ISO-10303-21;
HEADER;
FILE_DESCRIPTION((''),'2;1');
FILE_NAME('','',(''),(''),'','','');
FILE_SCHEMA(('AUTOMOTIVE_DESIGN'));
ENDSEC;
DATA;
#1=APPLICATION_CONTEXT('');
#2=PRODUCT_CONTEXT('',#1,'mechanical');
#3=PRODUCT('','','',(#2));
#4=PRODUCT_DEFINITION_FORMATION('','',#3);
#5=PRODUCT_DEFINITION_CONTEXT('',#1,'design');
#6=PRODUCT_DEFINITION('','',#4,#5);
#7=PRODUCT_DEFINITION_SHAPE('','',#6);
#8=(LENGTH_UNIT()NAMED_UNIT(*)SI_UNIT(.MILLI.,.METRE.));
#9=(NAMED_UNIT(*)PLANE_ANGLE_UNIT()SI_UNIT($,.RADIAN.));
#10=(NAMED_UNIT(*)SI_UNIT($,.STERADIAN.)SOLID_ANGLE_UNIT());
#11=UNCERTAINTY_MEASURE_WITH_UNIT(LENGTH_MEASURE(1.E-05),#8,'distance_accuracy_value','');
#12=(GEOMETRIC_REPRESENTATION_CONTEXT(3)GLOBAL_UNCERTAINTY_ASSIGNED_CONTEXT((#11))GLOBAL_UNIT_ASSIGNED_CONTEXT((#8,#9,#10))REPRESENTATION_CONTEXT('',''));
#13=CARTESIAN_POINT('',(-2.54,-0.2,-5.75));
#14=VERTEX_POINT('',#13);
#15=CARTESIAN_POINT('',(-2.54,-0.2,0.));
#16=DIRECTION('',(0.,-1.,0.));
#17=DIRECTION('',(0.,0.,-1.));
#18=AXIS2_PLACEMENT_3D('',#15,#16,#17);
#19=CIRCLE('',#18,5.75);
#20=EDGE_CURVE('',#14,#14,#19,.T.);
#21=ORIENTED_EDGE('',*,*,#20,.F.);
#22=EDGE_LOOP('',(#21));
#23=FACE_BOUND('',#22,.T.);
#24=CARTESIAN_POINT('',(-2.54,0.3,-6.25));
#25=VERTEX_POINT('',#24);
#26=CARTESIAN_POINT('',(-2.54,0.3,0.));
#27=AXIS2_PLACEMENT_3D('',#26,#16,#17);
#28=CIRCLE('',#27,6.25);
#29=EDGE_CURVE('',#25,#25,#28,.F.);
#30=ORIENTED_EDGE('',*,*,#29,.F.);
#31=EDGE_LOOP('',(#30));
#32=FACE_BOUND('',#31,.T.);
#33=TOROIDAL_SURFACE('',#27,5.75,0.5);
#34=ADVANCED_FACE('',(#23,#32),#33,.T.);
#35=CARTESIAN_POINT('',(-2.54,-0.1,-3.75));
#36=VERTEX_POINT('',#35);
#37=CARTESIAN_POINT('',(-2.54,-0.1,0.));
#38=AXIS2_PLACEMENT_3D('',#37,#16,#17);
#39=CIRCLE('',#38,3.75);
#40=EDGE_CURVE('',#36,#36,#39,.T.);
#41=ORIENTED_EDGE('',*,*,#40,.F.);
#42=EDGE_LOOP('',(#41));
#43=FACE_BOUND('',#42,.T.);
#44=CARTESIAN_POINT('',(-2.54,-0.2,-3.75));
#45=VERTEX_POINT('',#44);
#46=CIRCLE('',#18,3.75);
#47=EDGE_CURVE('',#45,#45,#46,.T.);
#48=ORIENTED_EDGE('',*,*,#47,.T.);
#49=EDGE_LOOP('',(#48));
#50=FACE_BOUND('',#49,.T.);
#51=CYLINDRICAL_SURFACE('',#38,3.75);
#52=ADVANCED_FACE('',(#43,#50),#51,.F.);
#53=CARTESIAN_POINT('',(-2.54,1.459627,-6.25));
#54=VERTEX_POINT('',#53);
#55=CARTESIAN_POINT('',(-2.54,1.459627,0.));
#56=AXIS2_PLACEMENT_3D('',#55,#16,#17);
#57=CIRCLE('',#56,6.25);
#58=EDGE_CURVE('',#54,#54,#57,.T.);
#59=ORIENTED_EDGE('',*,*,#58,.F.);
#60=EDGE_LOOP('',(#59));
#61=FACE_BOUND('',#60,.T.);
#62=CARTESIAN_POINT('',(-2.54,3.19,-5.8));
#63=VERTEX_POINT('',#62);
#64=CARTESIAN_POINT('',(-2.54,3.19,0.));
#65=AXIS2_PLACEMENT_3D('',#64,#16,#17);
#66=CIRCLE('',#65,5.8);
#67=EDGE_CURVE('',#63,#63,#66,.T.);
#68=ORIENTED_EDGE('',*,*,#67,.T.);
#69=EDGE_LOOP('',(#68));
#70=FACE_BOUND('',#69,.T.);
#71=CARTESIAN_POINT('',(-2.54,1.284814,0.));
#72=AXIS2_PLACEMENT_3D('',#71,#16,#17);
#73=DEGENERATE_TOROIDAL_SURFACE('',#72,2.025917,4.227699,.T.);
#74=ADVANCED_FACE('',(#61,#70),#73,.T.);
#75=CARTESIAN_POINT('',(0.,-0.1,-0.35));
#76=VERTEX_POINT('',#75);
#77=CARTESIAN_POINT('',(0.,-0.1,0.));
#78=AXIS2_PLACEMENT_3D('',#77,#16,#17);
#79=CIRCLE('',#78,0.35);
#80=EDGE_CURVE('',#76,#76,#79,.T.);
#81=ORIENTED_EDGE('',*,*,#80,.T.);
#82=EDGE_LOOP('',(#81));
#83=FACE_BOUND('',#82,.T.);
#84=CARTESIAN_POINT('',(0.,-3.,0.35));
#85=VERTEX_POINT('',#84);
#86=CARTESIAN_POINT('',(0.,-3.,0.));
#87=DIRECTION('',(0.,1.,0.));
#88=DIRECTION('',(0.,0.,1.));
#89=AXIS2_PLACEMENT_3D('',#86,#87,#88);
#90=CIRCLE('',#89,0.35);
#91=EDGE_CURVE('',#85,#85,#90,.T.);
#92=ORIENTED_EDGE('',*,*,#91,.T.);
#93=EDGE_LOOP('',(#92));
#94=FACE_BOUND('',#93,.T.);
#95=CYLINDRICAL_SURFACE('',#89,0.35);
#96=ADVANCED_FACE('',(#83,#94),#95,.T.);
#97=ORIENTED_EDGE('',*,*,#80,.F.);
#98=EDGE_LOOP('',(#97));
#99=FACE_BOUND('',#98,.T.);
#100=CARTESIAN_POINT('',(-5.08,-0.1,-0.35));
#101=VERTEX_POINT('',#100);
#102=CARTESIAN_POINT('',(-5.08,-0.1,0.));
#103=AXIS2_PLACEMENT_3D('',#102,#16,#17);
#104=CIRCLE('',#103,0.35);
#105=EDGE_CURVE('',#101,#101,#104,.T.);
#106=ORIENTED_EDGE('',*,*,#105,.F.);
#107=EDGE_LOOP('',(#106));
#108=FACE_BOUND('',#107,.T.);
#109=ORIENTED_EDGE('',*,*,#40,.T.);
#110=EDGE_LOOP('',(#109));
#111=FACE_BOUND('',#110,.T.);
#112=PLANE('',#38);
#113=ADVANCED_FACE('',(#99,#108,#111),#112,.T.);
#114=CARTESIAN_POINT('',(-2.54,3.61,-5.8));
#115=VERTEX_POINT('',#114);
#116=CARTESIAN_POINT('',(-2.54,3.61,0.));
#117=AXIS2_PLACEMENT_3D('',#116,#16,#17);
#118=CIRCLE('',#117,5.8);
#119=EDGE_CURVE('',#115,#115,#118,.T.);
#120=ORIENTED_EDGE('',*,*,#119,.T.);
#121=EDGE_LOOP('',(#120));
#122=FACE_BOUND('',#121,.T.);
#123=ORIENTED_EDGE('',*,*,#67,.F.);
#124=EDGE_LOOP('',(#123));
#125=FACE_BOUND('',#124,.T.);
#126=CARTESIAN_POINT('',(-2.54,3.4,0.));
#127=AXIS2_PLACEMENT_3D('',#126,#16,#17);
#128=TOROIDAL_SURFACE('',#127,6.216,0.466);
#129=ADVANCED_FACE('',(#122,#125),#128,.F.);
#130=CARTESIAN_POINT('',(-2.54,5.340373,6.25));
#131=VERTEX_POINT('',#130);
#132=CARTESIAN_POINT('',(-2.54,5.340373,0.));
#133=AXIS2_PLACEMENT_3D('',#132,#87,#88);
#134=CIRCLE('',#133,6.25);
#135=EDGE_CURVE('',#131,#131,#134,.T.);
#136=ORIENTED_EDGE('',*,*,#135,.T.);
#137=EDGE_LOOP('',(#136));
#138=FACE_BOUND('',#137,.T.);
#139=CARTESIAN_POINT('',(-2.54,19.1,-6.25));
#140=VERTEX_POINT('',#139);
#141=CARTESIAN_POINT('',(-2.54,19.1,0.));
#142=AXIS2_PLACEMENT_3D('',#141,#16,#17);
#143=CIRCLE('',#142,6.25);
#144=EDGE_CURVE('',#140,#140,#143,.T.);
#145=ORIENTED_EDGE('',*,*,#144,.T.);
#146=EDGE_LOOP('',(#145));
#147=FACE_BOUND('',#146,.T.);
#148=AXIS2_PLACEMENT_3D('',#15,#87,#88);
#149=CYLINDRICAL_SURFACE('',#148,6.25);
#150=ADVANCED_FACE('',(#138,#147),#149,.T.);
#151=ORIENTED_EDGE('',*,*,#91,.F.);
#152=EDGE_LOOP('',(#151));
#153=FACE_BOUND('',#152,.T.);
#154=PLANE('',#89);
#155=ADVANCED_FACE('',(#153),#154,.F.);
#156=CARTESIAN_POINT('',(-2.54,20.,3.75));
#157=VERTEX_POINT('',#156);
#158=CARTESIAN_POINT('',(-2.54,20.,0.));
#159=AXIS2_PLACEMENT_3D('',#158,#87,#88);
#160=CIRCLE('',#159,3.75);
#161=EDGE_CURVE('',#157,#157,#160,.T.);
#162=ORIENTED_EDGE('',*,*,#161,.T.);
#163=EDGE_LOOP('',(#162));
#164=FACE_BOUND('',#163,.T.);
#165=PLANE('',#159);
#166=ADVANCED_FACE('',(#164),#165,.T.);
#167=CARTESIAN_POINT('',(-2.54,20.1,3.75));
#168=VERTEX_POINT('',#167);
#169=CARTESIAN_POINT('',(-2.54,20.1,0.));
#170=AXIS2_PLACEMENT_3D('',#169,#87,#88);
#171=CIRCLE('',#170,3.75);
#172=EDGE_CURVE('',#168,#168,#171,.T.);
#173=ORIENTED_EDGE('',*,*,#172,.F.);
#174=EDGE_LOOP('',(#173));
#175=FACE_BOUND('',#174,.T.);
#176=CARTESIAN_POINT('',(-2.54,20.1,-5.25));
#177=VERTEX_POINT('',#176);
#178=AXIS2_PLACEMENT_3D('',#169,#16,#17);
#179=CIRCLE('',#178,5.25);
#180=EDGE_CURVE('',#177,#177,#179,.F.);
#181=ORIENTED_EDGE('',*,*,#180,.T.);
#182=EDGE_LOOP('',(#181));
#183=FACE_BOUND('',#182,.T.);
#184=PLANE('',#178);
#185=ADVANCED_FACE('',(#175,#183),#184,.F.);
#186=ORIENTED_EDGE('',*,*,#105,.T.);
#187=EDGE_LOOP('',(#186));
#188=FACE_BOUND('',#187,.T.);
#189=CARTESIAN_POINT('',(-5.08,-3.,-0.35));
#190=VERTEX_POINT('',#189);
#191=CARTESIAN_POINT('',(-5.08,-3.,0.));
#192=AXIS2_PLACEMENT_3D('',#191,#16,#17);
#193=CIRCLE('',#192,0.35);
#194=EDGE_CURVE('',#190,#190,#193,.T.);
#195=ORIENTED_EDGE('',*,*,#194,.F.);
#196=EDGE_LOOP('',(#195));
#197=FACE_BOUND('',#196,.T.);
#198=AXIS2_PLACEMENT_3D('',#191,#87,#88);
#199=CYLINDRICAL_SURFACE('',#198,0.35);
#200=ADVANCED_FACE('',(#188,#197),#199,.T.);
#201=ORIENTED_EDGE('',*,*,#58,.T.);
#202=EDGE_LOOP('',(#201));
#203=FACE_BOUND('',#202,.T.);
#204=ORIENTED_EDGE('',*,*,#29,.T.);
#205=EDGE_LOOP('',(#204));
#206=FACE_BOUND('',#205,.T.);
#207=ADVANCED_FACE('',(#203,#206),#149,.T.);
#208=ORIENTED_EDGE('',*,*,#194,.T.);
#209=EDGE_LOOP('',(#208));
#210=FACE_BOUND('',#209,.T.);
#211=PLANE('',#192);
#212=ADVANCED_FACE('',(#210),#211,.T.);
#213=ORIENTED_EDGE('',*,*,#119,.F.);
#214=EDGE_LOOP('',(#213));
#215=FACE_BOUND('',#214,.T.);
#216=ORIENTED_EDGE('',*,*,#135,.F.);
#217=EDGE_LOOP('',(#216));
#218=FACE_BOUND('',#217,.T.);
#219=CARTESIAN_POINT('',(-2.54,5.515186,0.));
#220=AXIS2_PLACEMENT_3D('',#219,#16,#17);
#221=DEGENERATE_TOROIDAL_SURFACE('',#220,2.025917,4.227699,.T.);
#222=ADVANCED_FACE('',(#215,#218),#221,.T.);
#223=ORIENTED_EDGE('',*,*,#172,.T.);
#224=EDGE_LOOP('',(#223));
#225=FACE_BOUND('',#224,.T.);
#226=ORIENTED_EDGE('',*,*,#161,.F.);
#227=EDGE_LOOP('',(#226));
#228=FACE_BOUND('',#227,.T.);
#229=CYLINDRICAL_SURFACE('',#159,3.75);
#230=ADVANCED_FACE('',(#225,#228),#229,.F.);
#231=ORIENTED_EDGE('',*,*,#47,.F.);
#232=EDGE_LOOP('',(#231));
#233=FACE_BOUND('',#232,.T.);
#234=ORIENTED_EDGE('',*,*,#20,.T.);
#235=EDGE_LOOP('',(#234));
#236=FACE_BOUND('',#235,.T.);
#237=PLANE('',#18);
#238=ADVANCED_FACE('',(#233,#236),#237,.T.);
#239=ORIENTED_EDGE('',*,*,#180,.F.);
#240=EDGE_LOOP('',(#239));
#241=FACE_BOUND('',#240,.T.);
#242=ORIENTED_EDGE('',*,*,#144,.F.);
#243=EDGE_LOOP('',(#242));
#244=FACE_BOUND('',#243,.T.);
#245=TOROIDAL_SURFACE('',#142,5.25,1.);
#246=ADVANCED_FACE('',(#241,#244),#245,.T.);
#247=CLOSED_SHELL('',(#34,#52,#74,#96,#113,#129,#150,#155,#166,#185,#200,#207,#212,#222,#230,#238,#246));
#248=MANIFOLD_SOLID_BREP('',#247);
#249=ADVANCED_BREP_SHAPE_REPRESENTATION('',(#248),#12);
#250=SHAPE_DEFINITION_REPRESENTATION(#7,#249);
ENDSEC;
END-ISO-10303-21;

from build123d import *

# Parameters (mm, degrees)
SKETCH2_R                = 0.35
BASE_EXTRUDE_DEPTH       = 3
SKETCH3_R                = 3.75
BOSS_EXTRUDE1_DEPTH      = 0.5
SKETCH4_R                = 0.35
BOSS_EXTRUDE2_DEPTH      = 3
SKETCH5_R                = 6.25
BOSS_EXTRUDE4_DEPTH      = 0.1
BOSS_EXTRUDE4_DEPTH_BACK = 20.2
SKETCH7_R                = 3.75
SKETCH7_R_2              = 0.35
CUT_EXTRUDE3_DEPTH       = 0.1
FILLET1_R                = 0.5
FILLET2_R                = 1
SKETCH8_R                = 3.75
CUT_EXTRUDE4_DEPTH       = 0.1


with BuildPart() as part:
    # Sketch2 → Base-Extrude (new body)
    with BuildSketch(Plane(origin=(0, 0, 0), x_dir=(1, 0, 0), z_dir=(0, 1, 0))):
        Circle(SKETCH2_R)
    extrude(amount=-BASE_EXTRUDE_DEPTH)

    # Sketch3 → Boss-Extrude1 (add)
    with BuildSketch(Plane(origin=(0, 0, 0), x_dir=(-1, 0, 0), z_dir=(0, 1, 0))):
        with Locations((2.54, 0)):
            Circle(SKETCH3_R)
    extrude(amount=BOSS_EXTRUDE1_DEPTH)

    # Sketch4 → Boss-Extrude2 (add)
    with BuildSketch(Plane.XZ):
        with Locations((-5.08, 0)):
            Circle(SKETCH4_R)
    extrude(amount=BOSS_EXTRUDE2_DEPTH)

    # Sketch5 → Boss-Extrude4 (add, two sides)
    with BuildSketch(Plane.XZ.offset(0.1)) as boss_extrude4_sk:
        with Locations((-2.54, 0)):
            Circle(SKETCH5_R)
    extrude(amount=BOSS_EXTRUDE4_DEPTH)
    extrude(boss_extrude4_sk.sketch, amount=-BOSS_EXTRUDE4_DEPTH_BACK)

    # Sketch7 → Cut-Extrude3 (cut)
    with BuildSketch(Plane.XZ.offset(0.2)):
        with Locations((-2.54, 0)):
            Circle(SKETCH7_R)
        with Locations((-5.08, 0)):
            Circle(SKETCH7_R_2, mode=Mode.SUBTRACT)
        Circle(SKETCH7_R_2, mode=Mode.SUBTRACT)
    extrude(amount=-CUT_EXTRUDE3_DEPTH, mode=Mode.SUBTRACT)

    # Fillet1
    fillet1_edges = [part.edges().sort_by_distance(p)[0] for p in [
        (-8.79, -0.2, 0),
    ]]
    fillet(fillet1_edges, radius=FILLET1_R)

    # Fillet2
    fillet2_edges = [part.edges().sort_by_distance(p)[0] for p in [
        (-8.79, 20.1, 0),
    ]]
    fillet(fillet2_edges, radius=FILLET2_R)

    # Sketch8 → Cut-Extrude4 (cut)
    with BuildSketch(Plane(origin=(0, 20.1, 0), x_dir=(-1, 0, 0), z_dir=(0, 1, 0))):
        with Locations((2.54, 0)):
            Circle(SKETCH8_R)
    extrude(amount=-CUT_EXTRUDE4_DEPTH, mode=Mode.SUBTRACT)

    # Sketch10 → Cut-Revolve1 (revolve, cut)
    with BuildSketch(Plane.XY):
        with BuildLine():
            Line((3.71, 5.69), (4.21, 5.69))
            Line((4.21, 5.69), (4.21, 1.11))
            Line((4.21, 1.11), (3.71, 1.11))
            ThreePointArc((3.71, 1.11), (3.618018735, 2.178778092), (3.26, 3.19))
            ThreePointArc((3.26, 3.19), (3.21, 3.4), (3.26, 3.61))
            ThreePointArc((3.26, 3.61), (3.618018735, 4.621221908), (3.71, 5.69))
        make_face()
    revolve(axis=Axis((-2.54, 0.346345216, 0), (0, 1, 0)), mode=Mode.SUBTRACT)


solid = part.part
